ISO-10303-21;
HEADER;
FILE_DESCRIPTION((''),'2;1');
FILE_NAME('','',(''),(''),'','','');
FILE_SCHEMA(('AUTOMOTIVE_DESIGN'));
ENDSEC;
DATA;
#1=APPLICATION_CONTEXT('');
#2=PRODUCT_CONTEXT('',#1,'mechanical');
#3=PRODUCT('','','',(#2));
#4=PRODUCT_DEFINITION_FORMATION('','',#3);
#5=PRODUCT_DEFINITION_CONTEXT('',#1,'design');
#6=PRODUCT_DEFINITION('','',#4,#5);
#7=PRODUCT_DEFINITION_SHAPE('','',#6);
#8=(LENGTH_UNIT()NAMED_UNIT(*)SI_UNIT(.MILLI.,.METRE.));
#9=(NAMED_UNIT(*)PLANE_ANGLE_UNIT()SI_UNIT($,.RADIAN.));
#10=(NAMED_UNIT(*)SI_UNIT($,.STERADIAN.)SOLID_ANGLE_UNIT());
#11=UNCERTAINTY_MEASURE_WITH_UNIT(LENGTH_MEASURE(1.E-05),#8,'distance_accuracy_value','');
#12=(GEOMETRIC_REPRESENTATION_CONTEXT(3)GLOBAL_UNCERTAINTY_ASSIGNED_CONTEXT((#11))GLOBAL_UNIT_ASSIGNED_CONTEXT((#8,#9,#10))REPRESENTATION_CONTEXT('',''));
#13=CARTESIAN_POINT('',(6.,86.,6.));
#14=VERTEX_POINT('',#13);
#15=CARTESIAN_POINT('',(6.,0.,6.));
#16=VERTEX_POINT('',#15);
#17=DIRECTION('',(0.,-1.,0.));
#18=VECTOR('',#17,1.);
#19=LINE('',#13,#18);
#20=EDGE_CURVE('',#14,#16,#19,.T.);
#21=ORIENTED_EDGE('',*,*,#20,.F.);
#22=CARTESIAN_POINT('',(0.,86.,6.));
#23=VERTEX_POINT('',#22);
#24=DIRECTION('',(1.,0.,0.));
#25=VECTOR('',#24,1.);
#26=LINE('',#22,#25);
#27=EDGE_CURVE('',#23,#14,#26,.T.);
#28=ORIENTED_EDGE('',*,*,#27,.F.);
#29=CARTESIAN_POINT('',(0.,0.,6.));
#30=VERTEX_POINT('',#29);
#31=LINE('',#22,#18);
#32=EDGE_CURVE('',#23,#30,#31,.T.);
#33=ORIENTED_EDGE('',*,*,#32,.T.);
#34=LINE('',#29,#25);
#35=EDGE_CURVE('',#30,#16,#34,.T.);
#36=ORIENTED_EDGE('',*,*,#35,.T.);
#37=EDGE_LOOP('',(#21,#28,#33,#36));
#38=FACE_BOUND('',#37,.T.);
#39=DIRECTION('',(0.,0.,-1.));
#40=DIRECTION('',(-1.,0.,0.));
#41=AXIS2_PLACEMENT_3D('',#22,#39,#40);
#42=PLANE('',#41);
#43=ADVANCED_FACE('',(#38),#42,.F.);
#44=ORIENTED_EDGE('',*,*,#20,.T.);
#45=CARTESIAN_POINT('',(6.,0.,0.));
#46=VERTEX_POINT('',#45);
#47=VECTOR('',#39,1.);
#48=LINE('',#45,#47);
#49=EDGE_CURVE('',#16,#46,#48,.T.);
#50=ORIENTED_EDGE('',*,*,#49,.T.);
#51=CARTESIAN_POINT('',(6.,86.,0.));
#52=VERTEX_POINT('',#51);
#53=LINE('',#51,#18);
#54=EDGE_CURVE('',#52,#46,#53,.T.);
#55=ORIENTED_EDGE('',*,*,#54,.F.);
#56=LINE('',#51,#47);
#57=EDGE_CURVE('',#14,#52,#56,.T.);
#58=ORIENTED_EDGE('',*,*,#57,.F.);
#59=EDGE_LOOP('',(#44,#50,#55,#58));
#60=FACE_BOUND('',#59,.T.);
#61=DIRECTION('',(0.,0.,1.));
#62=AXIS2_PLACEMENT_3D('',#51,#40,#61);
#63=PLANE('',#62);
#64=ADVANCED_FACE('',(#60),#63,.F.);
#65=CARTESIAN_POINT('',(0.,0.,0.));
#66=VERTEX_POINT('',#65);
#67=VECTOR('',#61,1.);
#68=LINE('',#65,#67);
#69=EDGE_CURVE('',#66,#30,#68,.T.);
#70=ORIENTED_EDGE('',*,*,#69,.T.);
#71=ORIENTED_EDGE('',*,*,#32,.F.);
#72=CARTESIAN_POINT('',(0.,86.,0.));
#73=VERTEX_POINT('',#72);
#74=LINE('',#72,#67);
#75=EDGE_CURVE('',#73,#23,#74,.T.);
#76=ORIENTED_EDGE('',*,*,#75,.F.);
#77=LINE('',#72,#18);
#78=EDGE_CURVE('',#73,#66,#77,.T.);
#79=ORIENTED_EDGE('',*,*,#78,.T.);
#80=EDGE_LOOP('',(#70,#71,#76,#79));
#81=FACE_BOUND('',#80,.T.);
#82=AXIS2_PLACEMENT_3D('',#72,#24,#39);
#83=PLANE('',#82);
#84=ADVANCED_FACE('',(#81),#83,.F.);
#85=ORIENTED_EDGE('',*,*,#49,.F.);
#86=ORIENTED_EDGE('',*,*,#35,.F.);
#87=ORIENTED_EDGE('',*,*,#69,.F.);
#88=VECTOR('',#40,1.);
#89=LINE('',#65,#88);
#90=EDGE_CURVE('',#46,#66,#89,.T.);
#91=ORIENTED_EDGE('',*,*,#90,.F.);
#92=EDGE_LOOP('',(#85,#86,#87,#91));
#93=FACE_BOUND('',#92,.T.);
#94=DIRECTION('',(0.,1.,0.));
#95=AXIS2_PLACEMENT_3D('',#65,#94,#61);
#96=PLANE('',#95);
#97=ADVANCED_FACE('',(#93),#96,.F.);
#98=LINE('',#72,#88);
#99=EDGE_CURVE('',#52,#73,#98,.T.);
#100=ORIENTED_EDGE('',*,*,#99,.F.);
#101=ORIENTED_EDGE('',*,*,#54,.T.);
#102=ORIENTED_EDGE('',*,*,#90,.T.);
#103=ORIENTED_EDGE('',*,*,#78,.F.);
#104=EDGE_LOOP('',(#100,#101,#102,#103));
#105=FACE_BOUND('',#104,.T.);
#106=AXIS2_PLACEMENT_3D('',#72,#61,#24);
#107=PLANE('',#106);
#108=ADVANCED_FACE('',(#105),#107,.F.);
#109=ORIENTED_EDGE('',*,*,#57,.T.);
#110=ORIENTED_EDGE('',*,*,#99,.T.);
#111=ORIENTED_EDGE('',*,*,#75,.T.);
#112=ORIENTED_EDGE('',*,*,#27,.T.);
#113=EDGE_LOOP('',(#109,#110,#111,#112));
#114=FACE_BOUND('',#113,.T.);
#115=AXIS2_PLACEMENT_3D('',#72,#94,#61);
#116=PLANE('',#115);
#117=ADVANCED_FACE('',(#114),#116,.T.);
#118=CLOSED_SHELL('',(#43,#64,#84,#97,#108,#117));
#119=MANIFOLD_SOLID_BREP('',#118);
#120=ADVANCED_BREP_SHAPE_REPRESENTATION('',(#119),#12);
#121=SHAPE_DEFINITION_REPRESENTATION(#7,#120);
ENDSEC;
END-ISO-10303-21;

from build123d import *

# Parameters (mm, degrees)
SKETCH1_W           = 6
SKETCH1_H           = 6
BOSS_EXTRUDE1_DEPTH = 86


with BuildPart() as part:
    # Sketch1 → Boss-Extrude1 (new body)
    with BuildSketch(Plane(origin=(0, 0, 0), x_dir=(1, 0, 0), z_dir=(0, 1, 0))):
        with Locations((3, -3)):
            Rectangle(SKETCH1_W, SKETCH1_H)
    extrude(amount=BOSS_EXTRUDE1_DEPTH)


solid = part.part
